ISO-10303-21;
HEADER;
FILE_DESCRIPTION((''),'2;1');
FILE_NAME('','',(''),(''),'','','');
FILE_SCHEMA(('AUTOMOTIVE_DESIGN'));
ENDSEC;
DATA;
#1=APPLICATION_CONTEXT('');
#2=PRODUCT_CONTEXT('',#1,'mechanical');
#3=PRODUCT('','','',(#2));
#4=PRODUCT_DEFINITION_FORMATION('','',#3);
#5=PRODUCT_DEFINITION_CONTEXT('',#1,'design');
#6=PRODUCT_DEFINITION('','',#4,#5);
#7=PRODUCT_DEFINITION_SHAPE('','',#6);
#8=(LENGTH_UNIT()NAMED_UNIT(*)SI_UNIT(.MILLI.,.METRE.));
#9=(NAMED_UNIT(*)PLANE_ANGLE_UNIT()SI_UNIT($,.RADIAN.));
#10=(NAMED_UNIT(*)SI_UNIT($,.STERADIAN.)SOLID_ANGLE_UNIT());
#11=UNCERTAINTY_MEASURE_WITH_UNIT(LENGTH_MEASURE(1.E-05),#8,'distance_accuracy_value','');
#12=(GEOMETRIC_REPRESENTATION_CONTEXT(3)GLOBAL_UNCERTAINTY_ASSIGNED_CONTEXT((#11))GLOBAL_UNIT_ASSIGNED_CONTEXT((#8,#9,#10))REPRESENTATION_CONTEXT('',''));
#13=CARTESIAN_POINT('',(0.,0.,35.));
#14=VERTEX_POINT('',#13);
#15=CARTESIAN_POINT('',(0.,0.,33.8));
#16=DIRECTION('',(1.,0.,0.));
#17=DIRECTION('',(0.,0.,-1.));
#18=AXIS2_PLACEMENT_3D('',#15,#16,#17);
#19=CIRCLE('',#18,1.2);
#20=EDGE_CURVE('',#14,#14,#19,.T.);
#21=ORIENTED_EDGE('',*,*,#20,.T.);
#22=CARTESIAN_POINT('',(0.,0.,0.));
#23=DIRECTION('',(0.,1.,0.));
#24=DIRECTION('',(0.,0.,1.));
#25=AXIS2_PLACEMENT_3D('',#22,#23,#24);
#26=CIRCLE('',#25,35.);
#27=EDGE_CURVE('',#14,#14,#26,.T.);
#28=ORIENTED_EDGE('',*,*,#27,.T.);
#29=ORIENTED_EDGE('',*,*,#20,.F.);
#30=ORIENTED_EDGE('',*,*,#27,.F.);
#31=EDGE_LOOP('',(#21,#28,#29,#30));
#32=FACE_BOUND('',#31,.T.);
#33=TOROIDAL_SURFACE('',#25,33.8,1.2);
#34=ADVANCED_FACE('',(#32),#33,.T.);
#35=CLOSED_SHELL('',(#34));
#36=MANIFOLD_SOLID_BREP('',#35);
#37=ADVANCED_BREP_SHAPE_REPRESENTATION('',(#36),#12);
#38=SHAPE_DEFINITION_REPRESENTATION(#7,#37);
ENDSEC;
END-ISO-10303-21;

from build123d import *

# Parameters (mm, degrees)
SWEEP1_PROFILE_R = 1.2


with BuildPart() as part:
    # Sweep1: sweep along a path in Sketch1
    with BuildLine(Plane(origin=(0, 0, 0), x_dir=(1, 0, 0), z_dir=(0, 1, 0))) as sweep1_path:
        CenterArc((0, 0), 33.8, 0, 360)
    # Sweep1 profile (on start of the path) → Sweep1 (sweep)
    with BuildSketch(Plane(origin=(33.8, 0, 0), x_dir=(-1, 0, 0), z_dir=(0, 0, -1))):
        Circle(SWEEP1_PROFILE_R)
    sweep(path=sweep1_path.line)


solid = part.part
